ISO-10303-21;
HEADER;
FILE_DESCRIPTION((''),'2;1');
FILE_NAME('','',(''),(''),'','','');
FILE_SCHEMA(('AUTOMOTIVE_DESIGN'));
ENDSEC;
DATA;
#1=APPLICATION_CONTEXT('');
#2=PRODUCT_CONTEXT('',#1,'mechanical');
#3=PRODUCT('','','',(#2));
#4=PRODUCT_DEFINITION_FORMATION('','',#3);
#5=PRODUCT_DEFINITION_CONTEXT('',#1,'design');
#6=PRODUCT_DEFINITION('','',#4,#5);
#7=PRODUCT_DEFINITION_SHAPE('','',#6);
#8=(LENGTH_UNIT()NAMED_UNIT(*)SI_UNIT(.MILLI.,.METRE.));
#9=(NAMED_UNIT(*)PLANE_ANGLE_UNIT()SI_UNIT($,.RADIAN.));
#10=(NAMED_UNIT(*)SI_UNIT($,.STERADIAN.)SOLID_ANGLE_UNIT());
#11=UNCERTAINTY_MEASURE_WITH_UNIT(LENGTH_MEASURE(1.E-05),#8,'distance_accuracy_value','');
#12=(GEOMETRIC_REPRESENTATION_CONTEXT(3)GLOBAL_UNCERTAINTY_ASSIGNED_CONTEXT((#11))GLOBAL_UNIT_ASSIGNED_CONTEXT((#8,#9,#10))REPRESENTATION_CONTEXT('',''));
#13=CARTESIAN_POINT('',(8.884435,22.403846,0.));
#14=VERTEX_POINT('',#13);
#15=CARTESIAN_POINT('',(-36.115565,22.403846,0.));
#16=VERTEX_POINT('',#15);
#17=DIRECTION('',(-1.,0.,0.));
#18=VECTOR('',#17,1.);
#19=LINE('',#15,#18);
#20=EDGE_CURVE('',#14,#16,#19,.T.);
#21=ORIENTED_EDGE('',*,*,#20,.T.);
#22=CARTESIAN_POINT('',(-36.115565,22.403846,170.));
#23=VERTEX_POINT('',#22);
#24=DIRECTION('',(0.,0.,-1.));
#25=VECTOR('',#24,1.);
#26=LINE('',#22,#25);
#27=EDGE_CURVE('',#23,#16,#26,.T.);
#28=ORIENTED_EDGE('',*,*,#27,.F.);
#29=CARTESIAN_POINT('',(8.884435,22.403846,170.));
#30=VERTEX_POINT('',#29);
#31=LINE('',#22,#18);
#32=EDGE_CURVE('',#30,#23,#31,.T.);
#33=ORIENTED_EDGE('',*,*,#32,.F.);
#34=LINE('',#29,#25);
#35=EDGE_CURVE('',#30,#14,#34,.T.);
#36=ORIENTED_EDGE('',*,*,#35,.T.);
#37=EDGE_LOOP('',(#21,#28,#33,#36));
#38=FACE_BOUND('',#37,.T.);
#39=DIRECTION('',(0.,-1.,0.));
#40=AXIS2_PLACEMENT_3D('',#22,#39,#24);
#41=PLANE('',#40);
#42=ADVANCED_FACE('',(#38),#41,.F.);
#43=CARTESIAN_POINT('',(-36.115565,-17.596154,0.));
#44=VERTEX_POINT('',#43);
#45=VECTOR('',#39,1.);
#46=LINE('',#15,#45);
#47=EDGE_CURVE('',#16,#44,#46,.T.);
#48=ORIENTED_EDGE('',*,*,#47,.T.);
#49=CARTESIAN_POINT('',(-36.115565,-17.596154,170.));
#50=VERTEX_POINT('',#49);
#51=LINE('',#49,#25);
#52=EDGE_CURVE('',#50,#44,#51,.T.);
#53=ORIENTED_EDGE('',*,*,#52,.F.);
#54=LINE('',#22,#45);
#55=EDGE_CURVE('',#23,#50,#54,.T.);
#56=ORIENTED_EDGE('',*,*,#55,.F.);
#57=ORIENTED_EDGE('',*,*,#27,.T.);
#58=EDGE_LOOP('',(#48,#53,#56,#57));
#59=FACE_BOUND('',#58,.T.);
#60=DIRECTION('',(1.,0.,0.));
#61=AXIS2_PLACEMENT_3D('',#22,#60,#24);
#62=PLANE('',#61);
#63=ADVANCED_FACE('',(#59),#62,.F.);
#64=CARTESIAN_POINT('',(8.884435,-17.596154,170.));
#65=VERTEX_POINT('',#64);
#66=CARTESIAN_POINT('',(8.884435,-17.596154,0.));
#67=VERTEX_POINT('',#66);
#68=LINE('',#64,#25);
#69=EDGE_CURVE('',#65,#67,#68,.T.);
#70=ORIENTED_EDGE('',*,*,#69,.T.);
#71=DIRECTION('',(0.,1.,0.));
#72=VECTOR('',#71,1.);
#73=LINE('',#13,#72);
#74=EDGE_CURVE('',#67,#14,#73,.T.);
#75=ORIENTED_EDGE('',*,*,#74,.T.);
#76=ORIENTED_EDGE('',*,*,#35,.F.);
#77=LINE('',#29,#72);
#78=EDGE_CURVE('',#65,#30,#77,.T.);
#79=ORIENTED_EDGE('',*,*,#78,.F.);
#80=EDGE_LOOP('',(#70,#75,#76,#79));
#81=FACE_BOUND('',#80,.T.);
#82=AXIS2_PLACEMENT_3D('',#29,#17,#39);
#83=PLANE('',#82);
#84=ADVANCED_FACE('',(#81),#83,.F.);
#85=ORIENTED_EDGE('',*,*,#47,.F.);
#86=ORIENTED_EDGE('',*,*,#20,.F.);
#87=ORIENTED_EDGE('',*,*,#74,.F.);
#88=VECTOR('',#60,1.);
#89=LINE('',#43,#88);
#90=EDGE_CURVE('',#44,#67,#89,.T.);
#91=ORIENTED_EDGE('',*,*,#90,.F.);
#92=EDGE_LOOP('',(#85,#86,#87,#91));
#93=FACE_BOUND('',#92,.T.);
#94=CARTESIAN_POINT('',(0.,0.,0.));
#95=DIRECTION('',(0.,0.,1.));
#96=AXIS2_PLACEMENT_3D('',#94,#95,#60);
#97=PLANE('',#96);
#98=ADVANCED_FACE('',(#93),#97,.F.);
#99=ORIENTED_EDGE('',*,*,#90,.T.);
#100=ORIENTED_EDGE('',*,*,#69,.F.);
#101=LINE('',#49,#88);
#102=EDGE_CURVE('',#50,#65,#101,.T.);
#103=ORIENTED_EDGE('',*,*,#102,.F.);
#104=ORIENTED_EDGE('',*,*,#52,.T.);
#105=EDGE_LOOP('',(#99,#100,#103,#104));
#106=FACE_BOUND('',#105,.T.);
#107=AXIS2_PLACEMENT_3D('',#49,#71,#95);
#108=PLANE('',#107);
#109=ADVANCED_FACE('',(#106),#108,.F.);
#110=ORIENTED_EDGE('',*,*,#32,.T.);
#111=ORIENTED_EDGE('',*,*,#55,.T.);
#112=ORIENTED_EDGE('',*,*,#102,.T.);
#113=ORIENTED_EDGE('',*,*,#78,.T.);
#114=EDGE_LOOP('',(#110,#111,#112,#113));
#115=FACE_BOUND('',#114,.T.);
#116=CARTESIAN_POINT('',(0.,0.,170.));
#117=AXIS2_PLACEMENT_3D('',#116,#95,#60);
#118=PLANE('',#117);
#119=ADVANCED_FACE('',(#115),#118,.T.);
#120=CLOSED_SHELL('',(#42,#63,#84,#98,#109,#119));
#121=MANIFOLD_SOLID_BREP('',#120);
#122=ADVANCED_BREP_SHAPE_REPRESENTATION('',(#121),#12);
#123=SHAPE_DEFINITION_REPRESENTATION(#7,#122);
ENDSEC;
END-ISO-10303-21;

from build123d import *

# Parameters (mm, degrees)
ESQUISSE1_W        = 45
ESQUISSE1_H        = 40
BOSS_EXTRU_1_DEPTH = 170


with BuildPart() as part:
    # Esquisse1 → Boss.-Extru.1 (new body)
    with BuildSketch(Plane.XY):
        with Locations((-13.615564763, 2.403846154)):
            Rectangle(ESQUISSE1_W, ESQUISSE1_H)
    extrude(amount=BOSS_EXTRU_1_DEPTH)


solid = part.part
